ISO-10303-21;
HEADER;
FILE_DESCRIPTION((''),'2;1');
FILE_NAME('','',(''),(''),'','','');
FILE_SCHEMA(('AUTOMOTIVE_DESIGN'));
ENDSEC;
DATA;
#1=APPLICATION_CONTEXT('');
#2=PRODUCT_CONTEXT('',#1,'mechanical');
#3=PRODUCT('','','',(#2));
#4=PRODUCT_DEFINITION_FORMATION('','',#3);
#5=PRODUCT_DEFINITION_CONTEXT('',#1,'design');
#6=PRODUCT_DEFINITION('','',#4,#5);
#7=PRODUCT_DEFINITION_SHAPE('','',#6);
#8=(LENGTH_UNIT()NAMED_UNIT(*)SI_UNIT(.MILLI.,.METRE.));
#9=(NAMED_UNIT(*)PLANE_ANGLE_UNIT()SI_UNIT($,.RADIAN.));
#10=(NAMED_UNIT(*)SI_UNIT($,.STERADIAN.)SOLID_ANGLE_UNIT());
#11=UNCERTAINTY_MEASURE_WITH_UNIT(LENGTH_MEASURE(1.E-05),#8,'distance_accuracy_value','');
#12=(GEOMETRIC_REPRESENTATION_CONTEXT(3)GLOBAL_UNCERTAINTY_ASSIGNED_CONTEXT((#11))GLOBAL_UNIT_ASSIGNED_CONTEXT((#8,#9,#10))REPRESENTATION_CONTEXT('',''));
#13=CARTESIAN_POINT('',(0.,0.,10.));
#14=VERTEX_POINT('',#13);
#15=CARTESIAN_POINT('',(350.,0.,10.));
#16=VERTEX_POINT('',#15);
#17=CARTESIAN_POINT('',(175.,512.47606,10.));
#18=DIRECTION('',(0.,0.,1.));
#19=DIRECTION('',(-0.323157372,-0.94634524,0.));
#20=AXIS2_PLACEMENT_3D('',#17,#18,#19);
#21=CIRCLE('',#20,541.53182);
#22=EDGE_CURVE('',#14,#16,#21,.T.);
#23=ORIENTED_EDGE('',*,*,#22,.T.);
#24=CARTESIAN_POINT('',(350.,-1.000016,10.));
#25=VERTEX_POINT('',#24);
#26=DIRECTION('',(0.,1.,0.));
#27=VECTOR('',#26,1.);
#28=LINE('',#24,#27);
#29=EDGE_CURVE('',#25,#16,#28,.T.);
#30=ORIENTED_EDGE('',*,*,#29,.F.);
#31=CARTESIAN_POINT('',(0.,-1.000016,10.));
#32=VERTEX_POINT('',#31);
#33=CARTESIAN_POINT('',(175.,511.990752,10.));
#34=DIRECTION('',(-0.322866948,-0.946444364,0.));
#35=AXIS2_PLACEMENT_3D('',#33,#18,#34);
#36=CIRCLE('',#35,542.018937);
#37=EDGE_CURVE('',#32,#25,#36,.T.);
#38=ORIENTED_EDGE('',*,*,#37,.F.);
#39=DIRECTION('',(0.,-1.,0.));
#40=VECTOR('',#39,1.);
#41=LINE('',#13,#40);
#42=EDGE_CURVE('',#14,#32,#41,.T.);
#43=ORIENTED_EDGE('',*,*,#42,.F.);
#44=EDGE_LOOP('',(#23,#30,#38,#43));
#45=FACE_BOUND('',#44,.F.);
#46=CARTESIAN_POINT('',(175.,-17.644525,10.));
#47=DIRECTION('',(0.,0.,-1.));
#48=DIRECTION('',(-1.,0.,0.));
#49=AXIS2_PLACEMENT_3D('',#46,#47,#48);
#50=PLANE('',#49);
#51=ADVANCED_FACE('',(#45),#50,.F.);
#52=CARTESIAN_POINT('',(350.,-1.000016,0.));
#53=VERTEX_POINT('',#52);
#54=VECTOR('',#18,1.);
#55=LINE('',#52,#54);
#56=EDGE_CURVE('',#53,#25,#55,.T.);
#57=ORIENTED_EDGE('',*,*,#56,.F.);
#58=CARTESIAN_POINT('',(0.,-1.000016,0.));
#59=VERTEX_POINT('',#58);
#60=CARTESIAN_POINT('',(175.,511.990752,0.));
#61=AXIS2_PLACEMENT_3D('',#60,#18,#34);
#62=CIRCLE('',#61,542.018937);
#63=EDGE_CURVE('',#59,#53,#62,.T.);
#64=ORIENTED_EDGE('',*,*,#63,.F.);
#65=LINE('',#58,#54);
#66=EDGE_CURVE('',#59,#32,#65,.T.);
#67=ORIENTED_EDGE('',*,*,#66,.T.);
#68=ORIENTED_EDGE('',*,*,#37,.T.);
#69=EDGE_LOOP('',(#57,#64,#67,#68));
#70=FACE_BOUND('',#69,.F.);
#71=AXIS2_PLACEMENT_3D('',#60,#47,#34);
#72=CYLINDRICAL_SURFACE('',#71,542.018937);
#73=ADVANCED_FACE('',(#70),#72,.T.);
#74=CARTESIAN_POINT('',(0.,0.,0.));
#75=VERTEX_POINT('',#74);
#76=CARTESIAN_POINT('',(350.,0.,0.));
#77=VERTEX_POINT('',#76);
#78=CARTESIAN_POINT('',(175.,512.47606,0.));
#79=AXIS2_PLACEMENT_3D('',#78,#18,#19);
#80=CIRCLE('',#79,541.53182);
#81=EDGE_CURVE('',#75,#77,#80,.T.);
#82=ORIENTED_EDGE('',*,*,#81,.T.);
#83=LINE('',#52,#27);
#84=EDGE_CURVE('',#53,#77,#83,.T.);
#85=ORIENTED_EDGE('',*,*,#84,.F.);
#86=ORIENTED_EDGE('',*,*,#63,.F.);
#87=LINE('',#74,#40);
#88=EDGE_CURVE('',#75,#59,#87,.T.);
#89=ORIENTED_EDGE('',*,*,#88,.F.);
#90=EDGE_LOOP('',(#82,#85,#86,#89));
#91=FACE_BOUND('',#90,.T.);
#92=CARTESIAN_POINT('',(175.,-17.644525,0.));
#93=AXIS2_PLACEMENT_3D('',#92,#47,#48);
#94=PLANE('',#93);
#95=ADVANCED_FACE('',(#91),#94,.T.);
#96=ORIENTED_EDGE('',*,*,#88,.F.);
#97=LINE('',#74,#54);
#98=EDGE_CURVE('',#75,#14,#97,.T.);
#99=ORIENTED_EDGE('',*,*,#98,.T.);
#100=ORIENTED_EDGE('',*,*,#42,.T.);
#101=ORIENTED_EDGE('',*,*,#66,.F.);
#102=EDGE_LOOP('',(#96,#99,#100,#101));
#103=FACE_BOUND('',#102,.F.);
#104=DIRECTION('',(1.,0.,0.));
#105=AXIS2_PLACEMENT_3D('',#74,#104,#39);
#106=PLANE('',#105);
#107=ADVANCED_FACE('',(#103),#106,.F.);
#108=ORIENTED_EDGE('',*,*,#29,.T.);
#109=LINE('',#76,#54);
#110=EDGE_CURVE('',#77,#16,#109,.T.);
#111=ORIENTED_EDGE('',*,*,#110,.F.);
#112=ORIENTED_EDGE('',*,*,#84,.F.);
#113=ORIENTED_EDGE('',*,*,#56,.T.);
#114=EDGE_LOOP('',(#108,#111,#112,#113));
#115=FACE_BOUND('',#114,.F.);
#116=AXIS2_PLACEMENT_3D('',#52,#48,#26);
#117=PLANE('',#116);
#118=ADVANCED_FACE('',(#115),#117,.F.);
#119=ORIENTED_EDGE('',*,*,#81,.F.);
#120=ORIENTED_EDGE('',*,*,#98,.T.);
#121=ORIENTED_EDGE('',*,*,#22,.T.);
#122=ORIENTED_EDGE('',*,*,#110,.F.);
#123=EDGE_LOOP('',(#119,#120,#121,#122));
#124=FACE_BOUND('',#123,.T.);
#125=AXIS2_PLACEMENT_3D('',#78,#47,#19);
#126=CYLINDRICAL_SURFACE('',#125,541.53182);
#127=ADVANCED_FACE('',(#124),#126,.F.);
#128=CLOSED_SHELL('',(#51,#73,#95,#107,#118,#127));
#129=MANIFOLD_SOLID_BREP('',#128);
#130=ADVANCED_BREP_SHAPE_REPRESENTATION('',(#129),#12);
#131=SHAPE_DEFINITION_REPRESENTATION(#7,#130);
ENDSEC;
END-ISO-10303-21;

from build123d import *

# Parameters (mm, degrees)
PAD_DEPTH = 10


with BuildPart() as part:
    # Sketch → Pad (new body)
    with BuildSketch(Plane.XY):
        with BuildLine():
            ThreePointArc((0, 0), (175, -29.05576), (350, 0))
            Line((350, -1.000016), (350, 0))
            ThreePointArc((0, -1.000016), (175, -30.028185), (350, -1.000016))
            Line((0, 0), (0, -1.000016))
        make_face()
    extrude(amount=PAD_DEPTH)


solid = part.part
